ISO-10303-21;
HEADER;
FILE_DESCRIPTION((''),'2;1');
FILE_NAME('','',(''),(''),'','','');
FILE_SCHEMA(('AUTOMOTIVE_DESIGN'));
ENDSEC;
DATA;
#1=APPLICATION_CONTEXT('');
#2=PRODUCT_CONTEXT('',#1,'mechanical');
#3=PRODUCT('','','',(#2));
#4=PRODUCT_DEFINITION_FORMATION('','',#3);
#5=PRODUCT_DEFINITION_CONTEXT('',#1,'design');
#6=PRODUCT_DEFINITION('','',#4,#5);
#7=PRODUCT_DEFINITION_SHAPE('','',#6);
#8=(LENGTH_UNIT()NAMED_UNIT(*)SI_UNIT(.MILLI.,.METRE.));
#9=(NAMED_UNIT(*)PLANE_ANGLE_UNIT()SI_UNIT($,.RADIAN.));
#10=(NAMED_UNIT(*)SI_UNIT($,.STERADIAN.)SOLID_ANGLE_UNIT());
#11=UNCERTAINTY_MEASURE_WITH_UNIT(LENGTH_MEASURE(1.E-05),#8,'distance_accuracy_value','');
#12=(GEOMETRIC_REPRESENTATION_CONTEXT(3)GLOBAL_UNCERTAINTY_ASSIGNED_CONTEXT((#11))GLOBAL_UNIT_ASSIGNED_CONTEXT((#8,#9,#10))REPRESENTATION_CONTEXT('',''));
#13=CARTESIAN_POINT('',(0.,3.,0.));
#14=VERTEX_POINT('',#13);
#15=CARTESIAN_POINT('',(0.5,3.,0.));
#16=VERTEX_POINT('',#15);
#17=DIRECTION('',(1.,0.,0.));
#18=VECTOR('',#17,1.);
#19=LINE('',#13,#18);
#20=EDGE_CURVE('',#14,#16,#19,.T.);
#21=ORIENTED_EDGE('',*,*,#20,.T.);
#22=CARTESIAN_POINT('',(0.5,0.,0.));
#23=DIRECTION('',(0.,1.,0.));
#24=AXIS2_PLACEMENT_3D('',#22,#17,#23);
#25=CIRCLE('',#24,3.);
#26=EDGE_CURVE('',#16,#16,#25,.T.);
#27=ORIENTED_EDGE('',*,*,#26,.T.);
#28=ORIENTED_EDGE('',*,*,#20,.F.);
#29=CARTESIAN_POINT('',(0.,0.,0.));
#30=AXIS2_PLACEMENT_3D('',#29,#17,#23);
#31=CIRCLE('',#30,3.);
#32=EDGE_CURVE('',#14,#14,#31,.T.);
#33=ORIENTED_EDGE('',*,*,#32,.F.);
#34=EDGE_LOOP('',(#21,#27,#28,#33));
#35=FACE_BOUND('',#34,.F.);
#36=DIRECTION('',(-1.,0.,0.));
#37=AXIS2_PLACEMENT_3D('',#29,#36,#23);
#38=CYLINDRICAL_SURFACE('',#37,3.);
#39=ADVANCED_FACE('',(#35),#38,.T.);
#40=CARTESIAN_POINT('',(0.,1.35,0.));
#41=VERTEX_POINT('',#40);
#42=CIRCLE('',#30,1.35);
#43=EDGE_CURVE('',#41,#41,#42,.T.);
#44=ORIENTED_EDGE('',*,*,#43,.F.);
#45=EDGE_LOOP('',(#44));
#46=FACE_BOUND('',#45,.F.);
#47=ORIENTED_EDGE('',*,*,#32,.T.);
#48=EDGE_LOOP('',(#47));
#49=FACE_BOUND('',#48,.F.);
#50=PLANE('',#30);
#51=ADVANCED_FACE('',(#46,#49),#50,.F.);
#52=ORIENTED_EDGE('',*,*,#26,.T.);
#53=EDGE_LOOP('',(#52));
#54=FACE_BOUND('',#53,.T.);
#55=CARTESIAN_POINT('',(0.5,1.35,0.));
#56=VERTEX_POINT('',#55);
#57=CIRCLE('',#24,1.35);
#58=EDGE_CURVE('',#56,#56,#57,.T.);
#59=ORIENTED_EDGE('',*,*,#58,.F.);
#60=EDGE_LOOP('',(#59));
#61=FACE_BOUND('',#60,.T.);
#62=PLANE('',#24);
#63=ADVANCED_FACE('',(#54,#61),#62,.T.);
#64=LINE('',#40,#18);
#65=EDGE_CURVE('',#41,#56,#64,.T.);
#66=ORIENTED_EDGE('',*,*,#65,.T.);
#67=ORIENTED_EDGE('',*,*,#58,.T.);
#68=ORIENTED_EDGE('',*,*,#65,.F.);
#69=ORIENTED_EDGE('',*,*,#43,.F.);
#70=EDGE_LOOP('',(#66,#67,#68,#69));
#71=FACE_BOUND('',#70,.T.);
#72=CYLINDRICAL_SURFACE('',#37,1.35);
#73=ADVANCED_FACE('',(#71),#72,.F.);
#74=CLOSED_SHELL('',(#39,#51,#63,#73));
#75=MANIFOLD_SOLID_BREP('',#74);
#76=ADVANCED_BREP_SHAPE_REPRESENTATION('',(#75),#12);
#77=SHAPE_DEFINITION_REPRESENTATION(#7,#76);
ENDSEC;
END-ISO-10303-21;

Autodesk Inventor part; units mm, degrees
ref_plane "YZ Plane" through (0, 0, 0) normal (1, 0, 0) x (0, 1, 0)
ref_plane "XZ Plane" through (0, 0, 0) normal (0, 1, 0) x (-1, 0, 0)
sketch "Sketch" plane through (0, 0, 0) normal (1, 0, 0) x (0, 1, 0)
  circle A0 centre (0, 0) radius 3
  circle A1 centre (0, 0) radius 1.35
  dimension "d0" = 2.7
  dimension "d1" = 6
extrude "Body" add sketch "Sketch" along normal blind 0.5
ref_plane "Work Plane1" through (0, 0, 0) normal (0, 0, 1) x (1, 0, 0)
equation "\"d0\" = SD1"
equation "\"d1\" = SD2"
equation "\"d2\" = SD"
equation "\"SD1\" = 2.7"
equation "\"SD2\" = 6"
equation "\"SD\" = 0.5"
equation "\"NND\" = 2.5"
properties part number "DIN 125-2 - A 2,7" material "Steel, Mild"
